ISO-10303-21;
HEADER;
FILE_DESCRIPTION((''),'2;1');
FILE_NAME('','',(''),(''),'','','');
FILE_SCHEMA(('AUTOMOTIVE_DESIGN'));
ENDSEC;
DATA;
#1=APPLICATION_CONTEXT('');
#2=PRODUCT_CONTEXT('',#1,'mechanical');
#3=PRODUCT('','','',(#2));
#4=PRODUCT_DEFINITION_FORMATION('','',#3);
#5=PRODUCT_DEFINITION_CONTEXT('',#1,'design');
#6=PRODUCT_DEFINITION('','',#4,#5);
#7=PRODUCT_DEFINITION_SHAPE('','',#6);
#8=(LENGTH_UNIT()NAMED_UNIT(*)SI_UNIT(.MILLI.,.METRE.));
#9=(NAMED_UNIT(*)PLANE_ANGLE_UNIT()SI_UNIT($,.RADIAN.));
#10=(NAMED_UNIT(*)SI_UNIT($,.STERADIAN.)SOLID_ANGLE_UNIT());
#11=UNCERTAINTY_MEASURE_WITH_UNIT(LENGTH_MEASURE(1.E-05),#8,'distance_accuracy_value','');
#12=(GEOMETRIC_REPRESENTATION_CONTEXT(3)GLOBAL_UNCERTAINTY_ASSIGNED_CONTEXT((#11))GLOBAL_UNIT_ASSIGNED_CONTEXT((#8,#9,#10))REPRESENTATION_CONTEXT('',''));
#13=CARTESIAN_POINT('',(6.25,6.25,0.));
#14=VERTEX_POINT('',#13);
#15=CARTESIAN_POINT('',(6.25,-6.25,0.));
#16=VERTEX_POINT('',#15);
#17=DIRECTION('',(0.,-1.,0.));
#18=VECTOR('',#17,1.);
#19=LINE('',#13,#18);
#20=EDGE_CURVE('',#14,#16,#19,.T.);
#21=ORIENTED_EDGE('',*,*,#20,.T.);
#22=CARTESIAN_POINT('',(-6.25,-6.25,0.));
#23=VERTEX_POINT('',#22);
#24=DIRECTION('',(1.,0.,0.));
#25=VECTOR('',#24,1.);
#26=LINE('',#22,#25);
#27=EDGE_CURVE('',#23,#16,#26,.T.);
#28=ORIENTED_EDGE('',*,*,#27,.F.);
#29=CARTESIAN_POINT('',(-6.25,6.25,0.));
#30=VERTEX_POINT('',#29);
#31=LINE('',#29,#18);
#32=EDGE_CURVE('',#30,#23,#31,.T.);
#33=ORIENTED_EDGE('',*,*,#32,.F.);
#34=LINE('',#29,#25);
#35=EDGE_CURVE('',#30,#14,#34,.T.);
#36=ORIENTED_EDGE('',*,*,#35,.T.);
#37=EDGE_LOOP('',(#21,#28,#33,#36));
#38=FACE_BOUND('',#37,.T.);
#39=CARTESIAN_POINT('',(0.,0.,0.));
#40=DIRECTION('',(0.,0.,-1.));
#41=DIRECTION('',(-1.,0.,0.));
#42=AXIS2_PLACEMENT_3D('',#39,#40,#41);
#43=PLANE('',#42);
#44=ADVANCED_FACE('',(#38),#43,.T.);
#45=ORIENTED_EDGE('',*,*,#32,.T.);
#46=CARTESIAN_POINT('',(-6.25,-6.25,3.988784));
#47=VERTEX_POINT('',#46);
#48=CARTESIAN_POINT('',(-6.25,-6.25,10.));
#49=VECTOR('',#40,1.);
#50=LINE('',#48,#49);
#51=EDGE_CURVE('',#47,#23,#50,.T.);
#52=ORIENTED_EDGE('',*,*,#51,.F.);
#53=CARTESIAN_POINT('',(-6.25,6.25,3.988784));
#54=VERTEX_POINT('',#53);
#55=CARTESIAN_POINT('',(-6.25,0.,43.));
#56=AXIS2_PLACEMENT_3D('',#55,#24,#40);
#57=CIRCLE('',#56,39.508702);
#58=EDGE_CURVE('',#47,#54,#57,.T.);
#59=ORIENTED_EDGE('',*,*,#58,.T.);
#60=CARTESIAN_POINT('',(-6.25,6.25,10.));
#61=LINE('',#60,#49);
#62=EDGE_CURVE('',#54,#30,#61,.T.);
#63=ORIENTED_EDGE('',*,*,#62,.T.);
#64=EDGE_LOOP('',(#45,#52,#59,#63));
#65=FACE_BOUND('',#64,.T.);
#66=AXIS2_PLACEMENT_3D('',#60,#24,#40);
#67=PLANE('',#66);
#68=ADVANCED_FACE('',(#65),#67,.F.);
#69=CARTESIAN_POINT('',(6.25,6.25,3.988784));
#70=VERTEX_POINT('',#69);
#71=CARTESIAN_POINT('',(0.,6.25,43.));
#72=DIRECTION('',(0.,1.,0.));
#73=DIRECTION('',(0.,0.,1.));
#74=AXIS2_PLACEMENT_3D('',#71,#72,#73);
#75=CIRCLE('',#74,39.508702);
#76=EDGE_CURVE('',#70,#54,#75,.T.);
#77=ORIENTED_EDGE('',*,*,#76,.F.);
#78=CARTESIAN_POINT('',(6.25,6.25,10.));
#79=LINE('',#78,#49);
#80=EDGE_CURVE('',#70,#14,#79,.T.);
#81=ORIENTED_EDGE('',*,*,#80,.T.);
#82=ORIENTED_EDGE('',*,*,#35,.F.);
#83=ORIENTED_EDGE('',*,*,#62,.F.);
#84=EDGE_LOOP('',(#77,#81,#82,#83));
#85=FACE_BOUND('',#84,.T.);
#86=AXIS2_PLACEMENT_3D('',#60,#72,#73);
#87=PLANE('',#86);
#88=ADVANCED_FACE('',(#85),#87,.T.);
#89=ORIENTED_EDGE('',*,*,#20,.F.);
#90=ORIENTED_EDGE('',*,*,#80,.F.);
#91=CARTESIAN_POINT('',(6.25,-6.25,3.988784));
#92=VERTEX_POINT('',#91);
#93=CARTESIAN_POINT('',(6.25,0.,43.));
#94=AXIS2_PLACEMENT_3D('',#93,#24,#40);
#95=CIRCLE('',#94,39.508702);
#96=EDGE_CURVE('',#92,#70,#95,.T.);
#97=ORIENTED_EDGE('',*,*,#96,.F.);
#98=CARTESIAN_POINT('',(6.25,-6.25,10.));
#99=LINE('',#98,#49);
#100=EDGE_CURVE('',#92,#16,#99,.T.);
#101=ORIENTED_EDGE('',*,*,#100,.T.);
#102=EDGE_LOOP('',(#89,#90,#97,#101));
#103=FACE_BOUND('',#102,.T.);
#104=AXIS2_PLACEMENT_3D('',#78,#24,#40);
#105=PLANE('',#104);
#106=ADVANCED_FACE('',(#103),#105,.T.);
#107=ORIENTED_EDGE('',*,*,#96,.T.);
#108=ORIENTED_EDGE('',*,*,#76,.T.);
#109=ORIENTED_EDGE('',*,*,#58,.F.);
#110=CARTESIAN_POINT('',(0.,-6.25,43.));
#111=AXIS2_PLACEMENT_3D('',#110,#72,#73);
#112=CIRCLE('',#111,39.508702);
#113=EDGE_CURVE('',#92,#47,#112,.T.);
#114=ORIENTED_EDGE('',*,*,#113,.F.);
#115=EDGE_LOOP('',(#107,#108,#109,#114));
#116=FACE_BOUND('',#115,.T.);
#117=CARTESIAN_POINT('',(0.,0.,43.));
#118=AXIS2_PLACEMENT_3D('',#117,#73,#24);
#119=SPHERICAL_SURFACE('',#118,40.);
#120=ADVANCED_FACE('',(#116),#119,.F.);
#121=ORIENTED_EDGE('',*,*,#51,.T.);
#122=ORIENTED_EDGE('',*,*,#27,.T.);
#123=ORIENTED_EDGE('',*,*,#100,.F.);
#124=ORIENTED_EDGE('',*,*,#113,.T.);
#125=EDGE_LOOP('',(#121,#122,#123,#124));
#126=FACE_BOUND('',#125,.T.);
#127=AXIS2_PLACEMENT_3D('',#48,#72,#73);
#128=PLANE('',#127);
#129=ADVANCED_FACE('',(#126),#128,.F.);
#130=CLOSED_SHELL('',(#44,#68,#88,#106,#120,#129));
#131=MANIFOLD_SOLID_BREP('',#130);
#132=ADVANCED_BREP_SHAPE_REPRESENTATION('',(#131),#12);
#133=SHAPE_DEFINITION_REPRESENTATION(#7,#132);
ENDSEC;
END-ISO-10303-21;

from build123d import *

# Parameters (mm, degrees)
SKETCH_1_W      = 12.5
SKETCH_1_H      = 12.5
EXTRUDE_1_DEPTH = 10


with BuildPart() as part:
    # 草图1 → 凸台-拉伸1 (new body)
    with BuildSketch(Plane.XY):
        Rectangle(SKETCH_1_W, SKETCH_1_H)
    extrude(amount=EXTRUDE_1_DEPTH)

    # 草图2 → 切除-旋转2 (revolve, cut)
    with BuildSketch(Plane(origin=(0, 0, 0), x_dir=(1, 0, 0), z_dir=(0, 1, 0))):
        with BuildLine():
            Line((38.993818473, -34.084725415), (0, -34.084725415))
            Line((0, -34.084725415), (0, -3))
            ThreePointArc((0, -3), (24.933802524, -11.722124565), (38.993818473, -34.084725415))
        make_face()
    revolve(axis=Axis((0, 0, 34.084725415), (0, 0, -1)), mode=Mode.SUBTRACT)


solid = part.part
